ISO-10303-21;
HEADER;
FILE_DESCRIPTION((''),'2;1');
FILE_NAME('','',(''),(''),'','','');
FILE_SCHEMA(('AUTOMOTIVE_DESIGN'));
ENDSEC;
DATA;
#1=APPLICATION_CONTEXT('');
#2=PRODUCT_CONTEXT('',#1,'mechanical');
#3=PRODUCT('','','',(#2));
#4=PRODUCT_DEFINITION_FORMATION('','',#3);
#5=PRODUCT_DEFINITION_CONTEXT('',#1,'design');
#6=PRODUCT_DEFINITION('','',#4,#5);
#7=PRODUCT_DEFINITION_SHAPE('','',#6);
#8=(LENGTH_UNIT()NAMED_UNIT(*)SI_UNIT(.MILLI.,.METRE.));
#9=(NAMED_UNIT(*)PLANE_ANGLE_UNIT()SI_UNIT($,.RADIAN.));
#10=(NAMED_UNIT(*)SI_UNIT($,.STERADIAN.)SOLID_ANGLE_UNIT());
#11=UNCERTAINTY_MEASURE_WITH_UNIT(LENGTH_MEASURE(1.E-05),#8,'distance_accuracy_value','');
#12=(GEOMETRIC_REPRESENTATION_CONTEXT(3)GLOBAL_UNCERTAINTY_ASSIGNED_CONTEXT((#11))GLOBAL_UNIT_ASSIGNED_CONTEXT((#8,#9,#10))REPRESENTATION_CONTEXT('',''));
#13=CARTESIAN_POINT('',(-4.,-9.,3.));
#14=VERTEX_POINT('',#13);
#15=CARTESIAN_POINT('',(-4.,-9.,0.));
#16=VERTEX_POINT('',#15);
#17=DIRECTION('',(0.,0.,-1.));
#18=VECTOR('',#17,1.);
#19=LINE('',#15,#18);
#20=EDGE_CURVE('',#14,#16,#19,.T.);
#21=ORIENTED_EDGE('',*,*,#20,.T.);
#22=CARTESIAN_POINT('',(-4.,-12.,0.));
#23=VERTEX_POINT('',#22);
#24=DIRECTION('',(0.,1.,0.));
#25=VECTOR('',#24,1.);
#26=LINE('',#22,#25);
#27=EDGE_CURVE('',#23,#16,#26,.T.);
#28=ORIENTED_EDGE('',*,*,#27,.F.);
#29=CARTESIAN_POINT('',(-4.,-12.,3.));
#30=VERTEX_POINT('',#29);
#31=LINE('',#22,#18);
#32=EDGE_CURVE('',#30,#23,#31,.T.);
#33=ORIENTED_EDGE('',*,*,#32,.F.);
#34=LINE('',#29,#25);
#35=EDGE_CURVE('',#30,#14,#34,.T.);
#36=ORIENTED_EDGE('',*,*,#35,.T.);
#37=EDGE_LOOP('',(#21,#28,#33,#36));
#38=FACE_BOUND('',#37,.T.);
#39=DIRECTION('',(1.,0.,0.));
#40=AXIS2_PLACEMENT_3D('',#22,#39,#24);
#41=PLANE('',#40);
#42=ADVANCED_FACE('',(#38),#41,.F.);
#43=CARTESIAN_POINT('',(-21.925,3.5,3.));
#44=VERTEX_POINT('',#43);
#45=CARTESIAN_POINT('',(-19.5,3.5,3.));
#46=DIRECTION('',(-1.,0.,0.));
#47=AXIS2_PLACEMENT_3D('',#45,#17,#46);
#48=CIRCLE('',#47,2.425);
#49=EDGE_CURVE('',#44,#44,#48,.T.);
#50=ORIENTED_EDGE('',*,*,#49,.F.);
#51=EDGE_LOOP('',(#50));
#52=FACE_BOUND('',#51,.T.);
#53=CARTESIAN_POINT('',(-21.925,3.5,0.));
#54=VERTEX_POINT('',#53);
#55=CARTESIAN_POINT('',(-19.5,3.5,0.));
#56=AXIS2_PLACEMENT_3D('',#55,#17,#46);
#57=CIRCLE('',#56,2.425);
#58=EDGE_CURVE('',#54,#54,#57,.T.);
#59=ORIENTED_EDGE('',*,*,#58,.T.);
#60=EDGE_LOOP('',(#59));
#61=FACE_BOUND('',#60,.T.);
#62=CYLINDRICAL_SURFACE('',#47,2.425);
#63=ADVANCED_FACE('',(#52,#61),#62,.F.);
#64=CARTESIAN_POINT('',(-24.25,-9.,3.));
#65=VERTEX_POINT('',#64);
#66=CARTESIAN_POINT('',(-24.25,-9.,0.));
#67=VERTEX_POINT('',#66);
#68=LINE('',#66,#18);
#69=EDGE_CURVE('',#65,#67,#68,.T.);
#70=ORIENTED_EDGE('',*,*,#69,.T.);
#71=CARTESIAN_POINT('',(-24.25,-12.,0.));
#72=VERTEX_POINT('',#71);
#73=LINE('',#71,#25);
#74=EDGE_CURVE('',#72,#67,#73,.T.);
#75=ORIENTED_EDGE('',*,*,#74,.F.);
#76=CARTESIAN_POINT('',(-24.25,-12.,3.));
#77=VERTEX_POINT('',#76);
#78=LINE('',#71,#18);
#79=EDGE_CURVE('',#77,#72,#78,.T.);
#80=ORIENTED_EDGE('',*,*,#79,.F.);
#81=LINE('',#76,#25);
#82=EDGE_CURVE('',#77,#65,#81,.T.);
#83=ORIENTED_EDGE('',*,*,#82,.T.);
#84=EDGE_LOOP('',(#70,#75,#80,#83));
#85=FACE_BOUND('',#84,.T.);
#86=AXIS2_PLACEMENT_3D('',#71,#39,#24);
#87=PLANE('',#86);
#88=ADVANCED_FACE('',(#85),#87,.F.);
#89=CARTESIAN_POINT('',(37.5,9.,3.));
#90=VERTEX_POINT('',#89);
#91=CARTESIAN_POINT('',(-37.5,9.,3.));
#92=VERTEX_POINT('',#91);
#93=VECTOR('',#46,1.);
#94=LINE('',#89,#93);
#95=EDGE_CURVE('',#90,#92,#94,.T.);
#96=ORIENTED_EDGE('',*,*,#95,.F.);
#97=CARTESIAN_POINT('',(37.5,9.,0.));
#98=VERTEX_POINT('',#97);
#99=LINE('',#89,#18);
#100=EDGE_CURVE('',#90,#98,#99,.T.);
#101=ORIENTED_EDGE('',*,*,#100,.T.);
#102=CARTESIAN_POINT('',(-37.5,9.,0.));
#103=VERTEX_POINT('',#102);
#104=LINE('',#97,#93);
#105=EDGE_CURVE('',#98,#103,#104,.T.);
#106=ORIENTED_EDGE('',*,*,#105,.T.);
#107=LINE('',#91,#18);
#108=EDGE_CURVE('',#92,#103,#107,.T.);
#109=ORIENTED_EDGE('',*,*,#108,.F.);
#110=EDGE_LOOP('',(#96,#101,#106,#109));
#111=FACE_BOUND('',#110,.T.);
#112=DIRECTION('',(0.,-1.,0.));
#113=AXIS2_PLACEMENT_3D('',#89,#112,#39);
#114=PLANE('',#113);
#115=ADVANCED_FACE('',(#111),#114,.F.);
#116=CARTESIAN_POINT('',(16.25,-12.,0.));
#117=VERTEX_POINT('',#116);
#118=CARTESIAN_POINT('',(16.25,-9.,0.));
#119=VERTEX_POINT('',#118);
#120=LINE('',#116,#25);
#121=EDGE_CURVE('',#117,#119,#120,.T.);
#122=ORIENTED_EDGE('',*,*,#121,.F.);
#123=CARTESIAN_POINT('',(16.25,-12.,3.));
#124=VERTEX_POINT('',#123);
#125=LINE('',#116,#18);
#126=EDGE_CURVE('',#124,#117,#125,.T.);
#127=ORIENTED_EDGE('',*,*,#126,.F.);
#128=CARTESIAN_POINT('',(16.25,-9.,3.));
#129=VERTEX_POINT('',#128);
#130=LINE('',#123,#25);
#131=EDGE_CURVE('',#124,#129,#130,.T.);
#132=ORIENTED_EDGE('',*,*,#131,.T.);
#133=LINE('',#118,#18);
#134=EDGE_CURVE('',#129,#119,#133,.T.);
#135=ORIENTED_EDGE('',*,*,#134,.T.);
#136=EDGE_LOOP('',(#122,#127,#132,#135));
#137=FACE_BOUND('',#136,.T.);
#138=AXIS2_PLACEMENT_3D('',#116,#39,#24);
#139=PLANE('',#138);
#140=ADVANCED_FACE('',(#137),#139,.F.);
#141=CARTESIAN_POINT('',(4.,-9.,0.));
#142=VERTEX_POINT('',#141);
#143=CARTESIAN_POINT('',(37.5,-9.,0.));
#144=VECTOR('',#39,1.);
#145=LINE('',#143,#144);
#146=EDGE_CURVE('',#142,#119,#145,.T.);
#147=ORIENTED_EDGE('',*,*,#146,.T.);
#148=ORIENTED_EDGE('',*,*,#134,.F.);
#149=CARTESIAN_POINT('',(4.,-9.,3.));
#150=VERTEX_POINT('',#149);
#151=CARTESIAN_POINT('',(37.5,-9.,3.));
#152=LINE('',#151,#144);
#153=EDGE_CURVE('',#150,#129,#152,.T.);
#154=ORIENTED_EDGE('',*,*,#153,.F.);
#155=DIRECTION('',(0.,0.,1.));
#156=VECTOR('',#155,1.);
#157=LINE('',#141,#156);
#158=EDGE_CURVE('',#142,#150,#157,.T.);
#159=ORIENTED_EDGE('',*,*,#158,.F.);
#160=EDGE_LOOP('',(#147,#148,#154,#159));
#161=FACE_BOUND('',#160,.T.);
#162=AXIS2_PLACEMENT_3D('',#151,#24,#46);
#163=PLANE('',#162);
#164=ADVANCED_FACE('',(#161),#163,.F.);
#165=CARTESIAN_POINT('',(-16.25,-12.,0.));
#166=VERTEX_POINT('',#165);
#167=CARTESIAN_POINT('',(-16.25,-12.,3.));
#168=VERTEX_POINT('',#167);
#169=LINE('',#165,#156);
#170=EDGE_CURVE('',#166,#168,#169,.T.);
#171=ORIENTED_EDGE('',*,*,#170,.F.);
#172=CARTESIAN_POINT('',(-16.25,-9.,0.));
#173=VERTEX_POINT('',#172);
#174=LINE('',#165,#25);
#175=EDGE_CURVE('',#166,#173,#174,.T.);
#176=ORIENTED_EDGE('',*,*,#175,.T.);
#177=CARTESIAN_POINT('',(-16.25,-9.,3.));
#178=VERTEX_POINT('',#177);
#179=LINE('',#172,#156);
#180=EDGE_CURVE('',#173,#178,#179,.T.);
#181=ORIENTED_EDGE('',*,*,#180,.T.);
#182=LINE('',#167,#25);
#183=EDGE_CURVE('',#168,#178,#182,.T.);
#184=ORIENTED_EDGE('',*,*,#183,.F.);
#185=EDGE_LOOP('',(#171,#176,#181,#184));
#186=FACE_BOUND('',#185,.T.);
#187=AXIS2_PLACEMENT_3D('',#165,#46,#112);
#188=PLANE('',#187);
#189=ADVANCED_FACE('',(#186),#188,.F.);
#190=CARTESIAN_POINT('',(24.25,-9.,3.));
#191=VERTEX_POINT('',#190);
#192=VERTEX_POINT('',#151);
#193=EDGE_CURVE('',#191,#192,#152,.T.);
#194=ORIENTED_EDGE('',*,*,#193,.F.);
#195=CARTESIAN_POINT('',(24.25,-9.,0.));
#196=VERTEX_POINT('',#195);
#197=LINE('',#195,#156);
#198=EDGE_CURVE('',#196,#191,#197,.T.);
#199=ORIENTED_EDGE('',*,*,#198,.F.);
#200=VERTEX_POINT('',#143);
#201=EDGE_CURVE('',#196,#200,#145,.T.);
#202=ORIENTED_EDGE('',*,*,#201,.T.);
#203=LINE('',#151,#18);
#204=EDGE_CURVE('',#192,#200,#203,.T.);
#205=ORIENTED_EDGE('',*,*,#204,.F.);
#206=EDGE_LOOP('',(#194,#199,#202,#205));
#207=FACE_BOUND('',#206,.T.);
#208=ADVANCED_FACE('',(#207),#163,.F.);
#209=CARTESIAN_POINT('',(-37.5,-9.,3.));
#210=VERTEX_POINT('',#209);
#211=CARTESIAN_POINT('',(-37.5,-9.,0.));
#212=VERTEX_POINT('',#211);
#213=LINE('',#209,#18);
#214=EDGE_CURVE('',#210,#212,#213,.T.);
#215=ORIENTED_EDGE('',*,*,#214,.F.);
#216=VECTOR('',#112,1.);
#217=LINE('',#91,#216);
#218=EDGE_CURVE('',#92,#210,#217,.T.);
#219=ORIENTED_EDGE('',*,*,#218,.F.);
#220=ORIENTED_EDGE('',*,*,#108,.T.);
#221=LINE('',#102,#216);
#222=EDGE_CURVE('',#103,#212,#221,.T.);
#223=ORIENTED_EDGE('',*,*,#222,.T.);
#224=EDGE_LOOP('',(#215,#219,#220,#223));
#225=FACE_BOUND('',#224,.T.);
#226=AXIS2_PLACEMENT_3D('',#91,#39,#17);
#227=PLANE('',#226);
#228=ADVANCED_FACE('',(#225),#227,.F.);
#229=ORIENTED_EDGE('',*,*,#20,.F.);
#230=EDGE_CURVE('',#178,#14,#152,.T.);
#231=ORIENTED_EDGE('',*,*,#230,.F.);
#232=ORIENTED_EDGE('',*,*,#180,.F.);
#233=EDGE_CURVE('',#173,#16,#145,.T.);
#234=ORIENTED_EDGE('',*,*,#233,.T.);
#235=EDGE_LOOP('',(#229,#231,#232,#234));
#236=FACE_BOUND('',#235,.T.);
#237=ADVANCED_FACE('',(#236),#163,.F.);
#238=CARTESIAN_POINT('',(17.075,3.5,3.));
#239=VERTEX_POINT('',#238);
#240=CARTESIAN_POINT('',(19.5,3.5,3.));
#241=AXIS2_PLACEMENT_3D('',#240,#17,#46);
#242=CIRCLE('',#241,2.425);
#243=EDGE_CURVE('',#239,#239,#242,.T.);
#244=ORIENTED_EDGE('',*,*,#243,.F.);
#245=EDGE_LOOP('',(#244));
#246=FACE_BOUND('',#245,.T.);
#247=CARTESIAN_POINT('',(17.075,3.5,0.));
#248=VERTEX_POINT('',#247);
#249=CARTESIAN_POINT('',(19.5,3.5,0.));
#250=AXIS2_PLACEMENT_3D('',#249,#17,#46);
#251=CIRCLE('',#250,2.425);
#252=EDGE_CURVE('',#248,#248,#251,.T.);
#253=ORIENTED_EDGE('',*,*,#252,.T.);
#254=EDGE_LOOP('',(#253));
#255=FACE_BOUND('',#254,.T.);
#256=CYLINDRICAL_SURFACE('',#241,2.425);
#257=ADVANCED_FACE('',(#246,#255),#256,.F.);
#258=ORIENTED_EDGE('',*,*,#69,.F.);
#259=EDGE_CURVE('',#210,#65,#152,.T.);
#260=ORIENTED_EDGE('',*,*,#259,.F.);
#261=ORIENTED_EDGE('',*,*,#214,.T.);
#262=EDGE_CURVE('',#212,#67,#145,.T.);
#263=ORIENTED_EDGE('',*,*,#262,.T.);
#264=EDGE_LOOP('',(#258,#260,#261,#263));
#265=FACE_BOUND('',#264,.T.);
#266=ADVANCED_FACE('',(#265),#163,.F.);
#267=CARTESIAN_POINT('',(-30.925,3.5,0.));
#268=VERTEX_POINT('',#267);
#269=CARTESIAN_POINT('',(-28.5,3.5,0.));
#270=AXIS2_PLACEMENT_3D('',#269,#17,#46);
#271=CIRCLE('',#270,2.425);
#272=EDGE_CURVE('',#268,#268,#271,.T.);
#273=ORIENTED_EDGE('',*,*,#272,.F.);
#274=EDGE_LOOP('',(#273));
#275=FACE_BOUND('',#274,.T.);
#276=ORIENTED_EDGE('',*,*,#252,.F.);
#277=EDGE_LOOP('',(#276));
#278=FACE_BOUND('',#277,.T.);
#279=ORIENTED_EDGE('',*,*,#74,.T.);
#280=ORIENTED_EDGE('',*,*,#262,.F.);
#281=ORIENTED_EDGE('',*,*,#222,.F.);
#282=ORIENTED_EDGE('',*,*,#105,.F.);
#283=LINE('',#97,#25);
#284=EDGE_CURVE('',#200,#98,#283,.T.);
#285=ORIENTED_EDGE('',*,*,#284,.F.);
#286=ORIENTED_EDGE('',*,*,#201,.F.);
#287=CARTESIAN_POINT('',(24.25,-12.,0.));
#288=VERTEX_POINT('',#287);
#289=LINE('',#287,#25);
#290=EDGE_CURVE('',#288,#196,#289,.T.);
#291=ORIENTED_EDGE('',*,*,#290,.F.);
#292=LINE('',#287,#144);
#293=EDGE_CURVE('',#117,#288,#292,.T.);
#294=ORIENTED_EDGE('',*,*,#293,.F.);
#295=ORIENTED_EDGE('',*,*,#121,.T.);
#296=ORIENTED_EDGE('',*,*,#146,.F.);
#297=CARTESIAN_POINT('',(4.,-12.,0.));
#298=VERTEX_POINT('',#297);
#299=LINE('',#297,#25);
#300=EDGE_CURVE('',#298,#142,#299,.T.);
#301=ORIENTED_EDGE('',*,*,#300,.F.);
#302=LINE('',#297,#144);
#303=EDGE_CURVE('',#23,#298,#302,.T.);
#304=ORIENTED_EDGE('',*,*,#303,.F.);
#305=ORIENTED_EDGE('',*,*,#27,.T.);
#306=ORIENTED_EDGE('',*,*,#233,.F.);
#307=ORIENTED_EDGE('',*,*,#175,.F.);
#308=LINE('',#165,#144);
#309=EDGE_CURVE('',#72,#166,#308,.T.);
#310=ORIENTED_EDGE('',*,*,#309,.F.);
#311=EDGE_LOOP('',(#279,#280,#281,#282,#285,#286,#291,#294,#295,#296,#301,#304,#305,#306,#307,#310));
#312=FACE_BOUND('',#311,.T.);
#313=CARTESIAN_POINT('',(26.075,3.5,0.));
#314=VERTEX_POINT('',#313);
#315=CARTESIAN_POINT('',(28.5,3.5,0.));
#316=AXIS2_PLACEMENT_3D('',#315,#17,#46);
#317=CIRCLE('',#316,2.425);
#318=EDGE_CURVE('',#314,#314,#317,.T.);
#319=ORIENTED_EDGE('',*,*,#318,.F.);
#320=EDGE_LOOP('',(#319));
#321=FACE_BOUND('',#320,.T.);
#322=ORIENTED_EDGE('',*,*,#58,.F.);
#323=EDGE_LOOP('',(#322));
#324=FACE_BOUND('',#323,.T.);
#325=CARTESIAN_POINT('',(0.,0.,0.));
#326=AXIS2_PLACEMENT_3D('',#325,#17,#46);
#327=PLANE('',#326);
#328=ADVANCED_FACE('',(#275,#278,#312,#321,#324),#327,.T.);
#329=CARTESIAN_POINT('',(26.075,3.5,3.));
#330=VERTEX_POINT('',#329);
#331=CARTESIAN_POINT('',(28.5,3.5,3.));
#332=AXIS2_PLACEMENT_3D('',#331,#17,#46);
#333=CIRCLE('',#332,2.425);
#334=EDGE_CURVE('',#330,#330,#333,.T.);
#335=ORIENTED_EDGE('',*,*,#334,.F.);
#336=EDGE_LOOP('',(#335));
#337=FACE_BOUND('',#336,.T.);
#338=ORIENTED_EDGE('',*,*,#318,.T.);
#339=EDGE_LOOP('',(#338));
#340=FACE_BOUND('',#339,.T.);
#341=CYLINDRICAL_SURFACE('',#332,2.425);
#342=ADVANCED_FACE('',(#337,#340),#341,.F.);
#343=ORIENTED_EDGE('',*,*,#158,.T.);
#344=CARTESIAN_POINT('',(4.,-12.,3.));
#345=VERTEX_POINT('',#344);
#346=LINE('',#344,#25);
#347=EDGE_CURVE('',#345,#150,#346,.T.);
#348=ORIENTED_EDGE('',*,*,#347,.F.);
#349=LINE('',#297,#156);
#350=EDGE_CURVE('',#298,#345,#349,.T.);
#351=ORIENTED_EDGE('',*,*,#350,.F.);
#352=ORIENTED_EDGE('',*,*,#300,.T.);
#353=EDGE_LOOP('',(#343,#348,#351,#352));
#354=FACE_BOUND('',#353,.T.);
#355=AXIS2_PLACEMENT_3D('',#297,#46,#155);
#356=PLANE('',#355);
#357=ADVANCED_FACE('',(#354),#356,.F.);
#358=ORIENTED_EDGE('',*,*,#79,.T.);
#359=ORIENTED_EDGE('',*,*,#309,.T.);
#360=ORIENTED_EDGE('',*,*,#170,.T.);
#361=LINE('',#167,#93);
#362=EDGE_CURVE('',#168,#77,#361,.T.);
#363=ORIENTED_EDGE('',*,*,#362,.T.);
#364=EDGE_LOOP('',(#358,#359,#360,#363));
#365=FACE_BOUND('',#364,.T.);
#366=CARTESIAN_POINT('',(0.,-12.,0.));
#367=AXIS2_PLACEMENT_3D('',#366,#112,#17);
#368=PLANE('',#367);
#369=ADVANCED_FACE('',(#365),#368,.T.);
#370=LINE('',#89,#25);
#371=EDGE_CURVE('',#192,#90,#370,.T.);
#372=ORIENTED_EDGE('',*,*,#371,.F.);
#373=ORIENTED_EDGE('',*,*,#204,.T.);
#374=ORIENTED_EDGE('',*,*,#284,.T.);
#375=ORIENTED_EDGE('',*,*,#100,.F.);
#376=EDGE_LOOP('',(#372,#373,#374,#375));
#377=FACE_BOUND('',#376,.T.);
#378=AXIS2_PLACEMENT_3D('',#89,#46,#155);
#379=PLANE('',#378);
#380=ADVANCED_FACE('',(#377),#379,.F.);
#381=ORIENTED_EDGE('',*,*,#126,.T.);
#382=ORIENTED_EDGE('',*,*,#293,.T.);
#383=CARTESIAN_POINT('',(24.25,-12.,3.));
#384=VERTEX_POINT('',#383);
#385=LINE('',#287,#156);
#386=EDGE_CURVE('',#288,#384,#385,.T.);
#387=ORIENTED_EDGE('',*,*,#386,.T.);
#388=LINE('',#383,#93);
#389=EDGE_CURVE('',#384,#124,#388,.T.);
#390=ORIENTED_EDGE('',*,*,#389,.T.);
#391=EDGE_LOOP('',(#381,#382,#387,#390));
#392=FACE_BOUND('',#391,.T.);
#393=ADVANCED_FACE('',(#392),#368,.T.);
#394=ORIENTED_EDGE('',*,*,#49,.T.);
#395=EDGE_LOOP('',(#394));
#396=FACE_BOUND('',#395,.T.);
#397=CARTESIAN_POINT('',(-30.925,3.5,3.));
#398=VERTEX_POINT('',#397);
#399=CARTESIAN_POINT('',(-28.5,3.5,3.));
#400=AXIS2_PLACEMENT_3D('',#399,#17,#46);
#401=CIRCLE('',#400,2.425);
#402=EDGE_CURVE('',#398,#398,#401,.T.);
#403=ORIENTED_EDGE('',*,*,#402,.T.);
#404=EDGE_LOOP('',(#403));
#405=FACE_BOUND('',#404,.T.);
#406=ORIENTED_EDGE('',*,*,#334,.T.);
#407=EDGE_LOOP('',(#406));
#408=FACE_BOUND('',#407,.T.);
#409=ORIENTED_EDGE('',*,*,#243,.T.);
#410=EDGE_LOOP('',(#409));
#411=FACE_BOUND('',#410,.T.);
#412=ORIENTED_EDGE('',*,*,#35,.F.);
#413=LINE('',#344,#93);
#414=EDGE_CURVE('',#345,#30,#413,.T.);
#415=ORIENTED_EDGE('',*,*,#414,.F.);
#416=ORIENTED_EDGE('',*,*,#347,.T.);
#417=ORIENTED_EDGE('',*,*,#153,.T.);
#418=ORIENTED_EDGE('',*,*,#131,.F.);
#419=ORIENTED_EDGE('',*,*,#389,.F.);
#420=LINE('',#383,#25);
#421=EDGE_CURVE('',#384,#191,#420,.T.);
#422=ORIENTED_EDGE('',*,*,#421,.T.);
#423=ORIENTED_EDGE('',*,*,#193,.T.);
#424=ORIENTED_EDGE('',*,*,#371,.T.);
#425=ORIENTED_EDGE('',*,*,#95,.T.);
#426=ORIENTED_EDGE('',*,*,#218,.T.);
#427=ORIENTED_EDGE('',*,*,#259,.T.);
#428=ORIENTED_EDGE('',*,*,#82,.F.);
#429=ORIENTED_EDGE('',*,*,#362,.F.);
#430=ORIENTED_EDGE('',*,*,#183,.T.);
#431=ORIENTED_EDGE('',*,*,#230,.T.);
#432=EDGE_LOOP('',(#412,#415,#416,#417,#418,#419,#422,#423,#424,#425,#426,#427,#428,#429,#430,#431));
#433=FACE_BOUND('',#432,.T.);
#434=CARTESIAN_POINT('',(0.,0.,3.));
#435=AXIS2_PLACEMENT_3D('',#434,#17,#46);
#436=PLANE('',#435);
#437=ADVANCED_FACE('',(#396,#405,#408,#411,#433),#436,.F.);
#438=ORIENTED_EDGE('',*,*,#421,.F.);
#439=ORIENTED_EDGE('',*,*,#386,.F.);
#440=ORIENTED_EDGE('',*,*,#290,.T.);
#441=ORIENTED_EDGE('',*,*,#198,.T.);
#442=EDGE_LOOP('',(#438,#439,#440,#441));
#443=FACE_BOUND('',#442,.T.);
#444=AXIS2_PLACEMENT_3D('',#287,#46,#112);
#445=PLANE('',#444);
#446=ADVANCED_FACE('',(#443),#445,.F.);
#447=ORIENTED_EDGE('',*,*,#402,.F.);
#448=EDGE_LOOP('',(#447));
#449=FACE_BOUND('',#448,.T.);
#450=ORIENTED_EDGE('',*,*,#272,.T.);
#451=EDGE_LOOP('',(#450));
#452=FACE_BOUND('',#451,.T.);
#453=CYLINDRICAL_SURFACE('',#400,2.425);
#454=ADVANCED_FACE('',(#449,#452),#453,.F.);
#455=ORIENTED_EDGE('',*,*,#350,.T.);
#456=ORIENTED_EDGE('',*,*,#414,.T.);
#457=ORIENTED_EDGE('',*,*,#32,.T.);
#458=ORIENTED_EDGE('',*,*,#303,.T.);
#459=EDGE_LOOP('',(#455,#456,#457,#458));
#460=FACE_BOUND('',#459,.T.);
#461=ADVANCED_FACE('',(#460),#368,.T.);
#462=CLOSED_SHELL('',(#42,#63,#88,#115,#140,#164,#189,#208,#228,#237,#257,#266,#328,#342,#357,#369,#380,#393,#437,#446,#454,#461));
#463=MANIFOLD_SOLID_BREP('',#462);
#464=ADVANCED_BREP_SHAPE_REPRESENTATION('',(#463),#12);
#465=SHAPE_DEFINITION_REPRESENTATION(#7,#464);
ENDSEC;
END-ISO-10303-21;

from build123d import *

# Parameters (mm, degrees)
SKETCH1_W           = 75
SKETCH1_H           = 18
BOSS_EXTRUDE1_DEPTH = 3
SKETCH2_W           = 8
SKETCH2_H           = 3
BOSS_EXTRUDE2_DEPTH = 3
SKETCH3_R           = 2.425
CUT_EXTRUDE1_DEPTH  = 3


with BuildPart() as part:
    # Sketch1 → Boss-Extrude1 (new body)
    with BuildSketch(Plane.XY):
        Rectangle(SKETCH1_W, SKETCH1_H)
    extrude(amount=BOSS_EXTRUDE1_DEPTH)

    # Sketch2 → Boss-Extrude2 (add)
    with BuildSketch(Plane(origin=(0, -9, 0), x_dir=(-1, 0, 0), z_dir=(0, -1, 0))):
        with Locations((-20.25, -1.5)):
            Rectangle(SKETCH2_W, SKETCH2_H)
        with Locations((0, -1.5)):
            Rectangle(SKETCH2_W, SKETCH2_H)
        with Locations((20.25, -1.5)):
            Rectangle(SKETCH2_W, SKETCH2_H)
    extrude(amount=BOSS_EXTRUDE2_DEPTH)

    # Sketch3 → Cut-Extrude1 (cut)
    with BuildSketch(Plane(origin=(0, 0, 0), x_dir=(-1, 0, 0), z_dir=(0, 0, -1))):
        with Locations((-28.5, 3.5)):
            Circle(SKETCH3_R)
        with Locations((28.5, 3.5)):
            Circle(SKETCH3_R)
        with Locations((-19.5, 3.5)):
            Circle(SKETCH3_R)
        with Locations((19.5, 3.5)):
            Circle(SKETCH3_R)
    extrude(amount=-CUT_EXTRUDE1_DEPTH, mode=Mode.SUBTRACT)


solid = part.part
